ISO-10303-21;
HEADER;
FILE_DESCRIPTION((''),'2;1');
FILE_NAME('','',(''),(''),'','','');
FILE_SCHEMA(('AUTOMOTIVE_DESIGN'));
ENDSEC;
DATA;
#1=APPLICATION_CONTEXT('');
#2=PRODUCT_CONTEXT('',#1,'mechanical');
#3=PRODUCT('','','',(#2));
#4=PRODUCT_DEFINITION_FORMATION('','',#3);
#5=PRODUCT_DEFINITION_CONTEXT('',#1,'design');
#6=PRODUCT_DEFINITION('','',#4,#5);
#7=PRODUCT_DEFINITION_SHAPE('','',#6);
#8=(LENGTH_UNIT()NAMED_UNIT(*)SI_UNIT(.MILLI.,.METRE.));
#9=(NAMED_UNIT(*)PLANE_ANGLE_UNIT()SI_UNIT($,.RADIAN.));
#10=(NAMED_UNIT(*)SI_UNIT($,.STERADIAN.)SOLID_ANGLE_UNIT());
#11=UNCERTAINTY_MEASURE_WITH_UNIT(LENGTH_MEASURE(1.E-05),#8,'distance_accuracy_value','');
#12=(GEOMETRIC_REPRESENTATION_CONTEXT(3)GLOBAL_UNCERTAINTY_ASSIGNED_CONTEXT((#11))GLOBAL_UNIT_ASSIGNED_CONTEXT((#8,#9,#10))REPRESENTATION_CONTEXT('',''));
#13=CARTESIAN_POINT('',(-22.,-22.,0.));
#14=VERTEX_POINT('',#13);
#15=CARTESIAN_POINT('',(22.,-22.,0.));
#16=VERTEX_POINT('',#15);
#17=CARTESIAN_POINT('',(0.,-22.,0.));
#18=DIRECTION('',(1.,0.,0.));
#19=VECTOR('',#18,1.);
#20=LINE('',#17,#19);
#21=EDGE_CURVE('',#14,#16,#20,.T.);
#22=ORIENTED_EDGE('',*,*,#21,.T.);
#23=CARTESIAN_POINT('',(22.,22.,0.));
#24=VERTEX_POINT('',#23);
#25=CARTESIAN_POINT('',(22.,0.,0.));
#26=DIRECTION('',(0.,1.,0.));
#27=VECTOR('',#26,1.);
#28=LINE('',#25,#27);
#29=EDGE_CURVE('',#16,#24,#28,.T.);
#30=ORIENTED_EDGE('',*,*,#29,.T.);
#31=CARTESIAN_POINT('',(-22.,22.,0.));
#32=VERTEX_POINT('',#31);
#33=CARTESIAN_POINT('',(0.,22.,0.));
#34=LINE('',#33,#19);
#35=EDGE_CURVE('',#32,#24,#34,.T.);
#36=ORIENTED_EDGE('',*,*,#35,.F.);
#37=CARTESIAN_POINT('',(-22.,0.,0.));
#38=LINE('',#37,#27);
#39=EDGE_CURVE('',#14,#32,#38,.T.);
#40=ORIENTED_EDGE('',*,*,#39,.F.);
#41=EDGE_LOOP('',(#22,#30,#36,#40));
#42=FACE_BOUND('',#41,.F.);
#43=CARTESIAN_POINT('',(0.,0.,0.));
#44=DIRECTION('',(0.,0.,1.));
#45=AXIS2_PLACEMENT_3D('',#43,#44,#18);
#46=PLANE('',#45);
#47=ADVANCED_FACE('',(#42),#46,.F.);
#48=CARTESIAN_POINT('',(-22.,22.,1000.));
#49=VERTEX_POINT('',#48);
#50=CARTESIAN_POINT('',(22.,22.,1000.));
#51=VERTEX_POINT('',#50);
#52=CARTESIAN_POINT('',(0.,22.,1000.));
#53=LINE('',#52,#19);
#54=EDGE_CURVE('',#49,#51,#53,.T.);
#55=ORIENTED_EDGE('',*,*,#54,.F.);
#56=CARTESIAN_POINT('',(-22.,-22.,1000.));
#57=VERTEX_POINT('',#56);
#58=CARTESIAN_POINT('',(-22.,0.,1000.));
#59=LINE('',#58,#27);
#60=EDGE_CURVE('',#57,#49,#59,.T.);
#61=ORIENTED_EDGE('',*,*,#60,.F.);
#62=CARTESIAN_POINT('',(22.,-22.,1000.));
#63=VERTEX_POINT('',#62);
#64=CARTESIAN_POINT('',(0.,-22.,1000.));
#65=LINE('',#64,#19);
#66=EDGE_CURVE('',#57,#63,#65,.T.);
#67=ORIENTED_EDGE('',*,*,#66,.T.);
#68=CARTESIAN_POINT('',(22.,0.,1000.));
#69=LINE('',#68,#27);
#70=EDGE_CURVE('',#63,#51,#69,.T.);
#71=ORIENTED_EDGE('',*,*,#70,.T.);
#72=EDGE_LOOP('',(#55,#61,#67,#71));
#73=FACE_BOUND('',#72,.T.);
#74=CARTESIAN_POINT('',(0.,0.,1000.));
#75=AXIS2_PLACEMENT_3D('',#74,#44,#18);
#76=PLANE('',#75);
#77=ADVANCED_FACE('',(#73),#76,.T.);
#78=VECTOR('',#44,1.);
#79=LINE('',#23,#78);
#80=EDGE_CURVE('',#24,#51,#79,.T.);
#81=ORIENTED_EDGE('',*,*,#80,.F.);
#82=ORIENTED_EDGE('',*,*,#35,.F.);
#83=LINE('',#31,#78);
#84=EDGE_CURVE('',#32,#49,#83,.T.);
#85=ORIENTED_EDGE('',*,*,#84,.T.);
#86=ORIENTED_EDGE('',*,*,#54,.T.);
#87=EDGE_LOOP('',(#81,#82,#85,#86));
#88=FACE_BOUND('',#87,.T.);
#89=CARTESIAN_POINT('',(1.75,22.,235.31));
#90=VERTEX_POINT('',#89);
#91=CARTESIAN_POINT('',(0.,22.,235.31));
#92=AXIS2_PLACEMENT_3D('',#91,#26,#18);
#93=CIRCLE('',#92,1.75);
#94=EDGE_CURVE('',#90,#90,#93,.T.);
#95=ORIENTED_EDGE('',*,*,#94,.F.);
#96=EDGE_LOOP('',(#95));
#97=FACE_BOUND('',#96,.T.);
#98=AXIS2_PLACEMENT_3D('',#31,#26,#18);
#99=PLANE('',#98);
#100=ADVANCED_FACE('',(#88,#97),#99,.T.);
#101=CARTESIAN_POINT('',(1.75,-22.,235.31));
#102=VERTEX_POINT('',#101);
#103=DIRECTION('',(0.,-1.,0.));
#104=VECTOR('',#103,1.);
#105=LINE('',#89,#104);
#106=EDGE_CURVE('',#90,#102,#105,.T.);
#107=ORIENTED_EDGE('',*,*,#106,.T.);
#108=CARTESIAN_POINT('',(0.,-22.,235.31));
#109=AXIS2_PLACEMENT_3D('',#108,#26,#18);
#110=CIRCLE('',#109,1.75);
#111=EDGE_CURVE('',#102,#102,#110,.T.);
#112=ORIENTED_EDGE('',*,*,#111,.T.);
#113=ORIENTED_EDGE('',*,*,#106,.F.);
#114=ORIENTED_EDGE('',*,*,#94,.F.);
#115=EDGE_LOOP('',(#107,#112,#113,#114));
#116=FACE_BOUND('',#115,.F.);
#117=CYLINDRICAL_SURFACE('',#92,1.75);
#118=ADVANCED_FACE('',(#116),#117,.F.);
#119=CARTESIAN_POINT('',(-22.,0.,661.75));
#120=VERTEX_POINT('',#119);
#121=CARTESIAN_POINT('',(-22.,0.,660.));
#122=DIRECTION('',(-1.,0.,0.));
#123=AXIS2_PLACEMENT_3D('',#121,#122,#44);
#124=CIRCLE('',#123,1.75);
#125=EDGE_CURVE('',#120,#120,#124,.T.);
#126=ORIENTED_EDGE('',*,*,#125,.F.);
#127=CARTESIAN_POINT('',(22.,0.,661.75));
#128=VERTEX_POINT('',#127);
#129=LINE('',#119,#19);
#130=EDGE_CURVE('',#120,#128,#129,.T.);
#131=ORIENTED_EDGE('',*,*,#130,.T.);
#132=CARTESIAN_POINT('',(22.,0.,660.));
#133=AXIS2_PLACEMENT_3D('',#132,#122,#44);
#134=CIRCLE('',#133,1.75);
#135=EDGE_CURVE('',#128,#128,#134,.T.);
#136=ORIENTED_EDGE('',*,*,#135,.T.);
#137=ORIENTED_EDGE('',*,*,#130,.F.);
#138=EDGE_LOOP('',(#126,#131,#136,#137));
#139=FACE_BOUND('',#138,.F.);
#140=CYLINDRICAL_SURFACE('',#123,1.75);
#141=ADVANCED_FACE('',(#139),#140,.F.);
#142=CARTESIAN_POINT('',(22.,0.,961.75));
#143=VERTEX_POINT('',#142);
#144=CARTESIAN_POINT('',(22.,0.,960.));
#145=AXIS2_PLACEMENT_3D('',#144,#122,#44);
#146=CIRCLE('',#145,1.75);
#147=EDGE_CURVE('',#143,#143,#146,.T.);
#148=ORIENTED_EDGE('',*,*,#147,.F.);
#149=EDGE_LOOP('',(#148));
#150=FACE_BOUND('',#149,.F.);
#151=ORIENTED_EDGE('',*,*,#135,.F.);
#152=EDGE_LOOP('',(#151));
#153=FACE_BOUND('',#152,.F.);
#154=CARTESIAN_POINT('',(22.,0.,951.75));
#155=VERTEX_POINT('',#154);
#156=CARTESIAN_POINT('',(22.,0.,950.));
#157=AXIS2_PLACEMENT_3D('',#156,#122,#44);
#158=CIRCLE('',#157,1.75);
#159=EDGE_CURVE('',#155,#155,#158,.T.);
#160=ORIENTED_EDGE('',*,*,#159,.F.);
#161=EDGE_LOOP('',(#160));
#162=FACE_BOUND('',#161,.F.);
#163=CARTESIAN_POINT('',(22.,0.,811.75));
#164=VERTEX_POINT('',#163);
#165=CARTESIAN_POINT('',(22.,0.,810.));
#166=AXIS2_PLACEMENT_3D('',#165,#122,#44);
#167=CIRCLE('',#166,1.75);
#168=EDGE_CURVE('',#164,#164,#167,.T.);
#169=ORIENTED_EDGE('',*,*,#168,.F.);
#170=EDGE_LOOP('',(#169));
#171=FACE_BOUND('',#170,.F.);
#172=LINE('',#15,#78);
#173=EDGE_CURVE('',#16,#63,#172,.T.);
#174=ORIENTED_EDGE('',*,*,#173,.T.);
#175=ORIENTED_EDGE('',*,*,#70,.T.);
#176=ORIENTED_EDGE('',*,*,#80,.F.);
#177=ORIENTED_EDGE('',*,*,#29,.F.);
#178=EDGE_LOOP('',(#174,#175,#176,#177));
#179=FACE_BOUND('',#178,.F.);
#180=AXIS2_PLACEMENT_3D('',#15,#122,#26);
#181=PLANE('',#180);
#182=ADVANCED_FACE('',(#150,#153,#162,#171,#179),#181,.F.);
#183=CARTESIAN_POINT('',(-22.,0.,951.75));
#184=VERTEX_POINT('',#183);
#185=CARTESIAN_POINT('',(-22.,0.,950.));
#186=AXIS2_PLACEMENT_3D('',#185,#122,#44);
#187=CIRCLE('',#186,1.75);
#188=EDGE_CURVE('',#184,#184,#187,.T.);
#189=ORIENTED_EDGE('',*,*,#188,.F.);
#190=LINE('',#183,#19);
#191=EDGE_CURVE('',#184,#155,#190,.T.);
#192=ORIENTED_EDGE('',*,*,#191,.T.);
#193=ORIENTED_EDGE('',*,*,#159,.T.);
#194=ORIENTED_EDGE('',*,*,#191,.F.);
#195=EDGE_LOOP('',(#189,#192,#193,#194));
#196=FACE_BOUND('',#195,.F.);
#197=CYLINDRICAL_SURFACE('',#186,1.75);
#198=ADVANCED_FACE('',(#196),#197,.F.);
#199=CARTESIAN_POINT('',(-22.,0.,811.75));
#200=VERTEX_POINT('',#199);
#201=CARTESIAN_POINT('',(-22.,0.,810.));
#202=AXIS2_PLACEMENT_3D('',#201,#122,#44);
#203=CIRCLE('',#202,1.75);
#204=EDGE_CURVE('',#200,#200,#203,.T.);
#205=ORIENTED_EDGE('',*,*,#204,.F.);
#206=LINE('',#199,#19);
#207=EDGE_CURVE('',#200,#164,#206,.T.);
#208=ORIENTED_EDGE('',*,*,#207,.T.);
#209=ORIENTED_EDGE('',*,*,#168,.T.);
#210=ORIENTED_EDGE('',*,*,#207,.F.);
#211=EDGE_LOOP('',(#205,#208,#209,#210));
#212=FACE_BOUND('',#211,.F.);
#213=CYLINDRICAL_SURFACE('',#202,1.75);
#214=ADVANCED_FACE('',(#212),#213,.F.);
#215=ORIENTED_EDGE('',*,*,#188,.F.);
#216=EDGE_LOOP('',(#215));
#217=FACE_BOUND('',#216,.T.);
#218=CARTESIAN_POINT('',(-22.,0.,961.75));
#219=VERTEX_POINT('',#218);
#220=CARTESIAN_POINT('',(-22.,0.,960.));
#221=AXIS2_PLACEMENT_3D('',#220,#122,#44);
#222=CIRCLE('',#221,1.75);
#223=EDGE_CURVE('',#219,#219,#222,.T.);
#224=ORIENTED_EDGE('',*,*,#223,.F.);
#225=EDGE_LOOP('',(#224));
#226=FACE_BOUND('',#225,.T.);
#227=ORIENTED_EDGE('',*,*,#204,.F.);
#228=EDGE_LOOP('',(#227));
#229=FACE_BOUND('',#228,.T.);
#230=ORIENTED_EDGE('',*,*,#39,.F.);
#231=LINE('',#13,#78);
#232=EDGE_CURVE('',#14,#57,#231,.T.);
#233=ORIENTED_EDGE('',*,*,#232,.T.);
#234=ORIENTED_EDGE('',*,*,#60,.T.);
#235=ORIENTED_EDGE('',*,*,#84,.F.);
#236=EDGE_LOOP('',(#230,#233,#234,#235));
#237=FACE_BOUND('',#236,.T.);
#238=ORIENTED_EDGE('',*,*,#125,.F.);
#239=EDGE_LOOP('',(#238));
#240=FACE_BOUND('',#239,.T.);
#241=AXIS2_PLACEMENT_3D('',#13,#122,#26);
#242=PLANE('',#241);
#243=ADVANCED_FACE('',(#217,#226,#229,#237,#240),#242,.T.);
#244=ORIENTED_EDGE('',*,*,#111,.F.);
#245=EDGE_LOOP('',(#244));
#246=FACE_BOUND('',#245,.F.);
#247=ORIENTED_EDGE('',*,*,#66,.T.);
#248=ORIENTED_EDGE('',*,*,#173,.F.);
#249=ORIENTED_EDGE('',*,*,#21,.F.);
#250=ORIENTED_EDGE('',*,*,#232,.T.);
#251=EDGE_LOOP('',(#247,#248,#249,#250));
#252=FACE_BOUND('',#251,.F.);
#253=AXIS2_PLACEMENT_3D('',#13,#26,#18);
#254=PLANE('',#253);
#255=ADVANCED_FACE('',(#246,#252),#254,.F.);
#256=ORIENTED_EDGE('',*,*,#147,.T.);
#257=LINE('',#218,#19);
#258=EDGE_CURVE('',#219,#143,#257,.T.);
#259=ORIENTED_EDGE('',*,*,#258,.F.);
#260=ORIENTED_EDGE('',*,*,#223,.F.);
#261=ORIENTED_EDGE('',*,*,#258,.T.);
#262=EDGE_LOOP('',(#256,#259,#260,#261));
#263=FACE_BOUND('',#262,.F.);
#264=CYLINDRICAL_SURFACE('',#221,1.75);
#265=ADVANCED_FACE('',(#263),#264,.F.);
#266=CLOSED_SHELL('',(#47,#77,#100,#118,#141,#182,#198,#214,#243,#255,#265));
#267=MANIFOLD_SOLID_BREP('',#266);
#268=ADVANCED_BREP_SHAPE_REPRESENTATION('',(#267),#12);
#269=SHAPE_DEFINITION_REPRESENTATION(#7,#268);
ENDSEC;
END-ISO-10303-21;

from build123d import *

# Parameters (mm, degrees)
ESQUISSE1_W             = 44
ESQUISSE1_H             = 44
BOSS_EXTRU_1_DEPTH      = 1000
ESQUISSE2_R             = 1.75
ENL_V_MAT_EXTRU_1_DEPTH = 44
ESQUISSE3_R             = 1.75
ENL_V_MAT_EXTRU_2_DEPTH = 44


with BuildPart() as part:
    # Esquisse1 → Boss.-Extru.1 (new body)
    with BuildSketch(Plane.XY):
        Rectangle(ESQUISSE1_W, ESQUISSE1_H)
    extrude(amount=BOSS_EXTRU_1_DEPTH)

    # Esquisse2 → Enlèv. mat.-Extru.1 (cut)
    with BuildSketch(Plane.ZY.offset(22)):
        with Locations((950, 0)):
            Circle(ESQUISSE2_R)
        with Locations((960, 0)):
            Circle(ESQUISSE2_R)
        with Locations((810, 0)):
            Circle(ESQUISSE2_R)
        with Locations((660, 0)):
            Circle(ESQUISSE2_R)
    extrude(amount=-ENL_V_MAT_EXTRU_1_DEPTH, mode=Mode.SUBTRACT)

    # Esquisse3 → Enlèv. mat.-Extru.2 (cut)
    with BuildSketch(Plane(origin=(0, 22, 0), x_dir=(1, 0, 0), z_dir=(0, 1, 0))):
        with Locations((0, -235.31)):
            Circle(ESQUISSE3_R)
    extrude(amount=-ENL_V_MAT_EXTRU_2_DEPTH, mode=Mode.SUBTRACT)


solid = part.part
